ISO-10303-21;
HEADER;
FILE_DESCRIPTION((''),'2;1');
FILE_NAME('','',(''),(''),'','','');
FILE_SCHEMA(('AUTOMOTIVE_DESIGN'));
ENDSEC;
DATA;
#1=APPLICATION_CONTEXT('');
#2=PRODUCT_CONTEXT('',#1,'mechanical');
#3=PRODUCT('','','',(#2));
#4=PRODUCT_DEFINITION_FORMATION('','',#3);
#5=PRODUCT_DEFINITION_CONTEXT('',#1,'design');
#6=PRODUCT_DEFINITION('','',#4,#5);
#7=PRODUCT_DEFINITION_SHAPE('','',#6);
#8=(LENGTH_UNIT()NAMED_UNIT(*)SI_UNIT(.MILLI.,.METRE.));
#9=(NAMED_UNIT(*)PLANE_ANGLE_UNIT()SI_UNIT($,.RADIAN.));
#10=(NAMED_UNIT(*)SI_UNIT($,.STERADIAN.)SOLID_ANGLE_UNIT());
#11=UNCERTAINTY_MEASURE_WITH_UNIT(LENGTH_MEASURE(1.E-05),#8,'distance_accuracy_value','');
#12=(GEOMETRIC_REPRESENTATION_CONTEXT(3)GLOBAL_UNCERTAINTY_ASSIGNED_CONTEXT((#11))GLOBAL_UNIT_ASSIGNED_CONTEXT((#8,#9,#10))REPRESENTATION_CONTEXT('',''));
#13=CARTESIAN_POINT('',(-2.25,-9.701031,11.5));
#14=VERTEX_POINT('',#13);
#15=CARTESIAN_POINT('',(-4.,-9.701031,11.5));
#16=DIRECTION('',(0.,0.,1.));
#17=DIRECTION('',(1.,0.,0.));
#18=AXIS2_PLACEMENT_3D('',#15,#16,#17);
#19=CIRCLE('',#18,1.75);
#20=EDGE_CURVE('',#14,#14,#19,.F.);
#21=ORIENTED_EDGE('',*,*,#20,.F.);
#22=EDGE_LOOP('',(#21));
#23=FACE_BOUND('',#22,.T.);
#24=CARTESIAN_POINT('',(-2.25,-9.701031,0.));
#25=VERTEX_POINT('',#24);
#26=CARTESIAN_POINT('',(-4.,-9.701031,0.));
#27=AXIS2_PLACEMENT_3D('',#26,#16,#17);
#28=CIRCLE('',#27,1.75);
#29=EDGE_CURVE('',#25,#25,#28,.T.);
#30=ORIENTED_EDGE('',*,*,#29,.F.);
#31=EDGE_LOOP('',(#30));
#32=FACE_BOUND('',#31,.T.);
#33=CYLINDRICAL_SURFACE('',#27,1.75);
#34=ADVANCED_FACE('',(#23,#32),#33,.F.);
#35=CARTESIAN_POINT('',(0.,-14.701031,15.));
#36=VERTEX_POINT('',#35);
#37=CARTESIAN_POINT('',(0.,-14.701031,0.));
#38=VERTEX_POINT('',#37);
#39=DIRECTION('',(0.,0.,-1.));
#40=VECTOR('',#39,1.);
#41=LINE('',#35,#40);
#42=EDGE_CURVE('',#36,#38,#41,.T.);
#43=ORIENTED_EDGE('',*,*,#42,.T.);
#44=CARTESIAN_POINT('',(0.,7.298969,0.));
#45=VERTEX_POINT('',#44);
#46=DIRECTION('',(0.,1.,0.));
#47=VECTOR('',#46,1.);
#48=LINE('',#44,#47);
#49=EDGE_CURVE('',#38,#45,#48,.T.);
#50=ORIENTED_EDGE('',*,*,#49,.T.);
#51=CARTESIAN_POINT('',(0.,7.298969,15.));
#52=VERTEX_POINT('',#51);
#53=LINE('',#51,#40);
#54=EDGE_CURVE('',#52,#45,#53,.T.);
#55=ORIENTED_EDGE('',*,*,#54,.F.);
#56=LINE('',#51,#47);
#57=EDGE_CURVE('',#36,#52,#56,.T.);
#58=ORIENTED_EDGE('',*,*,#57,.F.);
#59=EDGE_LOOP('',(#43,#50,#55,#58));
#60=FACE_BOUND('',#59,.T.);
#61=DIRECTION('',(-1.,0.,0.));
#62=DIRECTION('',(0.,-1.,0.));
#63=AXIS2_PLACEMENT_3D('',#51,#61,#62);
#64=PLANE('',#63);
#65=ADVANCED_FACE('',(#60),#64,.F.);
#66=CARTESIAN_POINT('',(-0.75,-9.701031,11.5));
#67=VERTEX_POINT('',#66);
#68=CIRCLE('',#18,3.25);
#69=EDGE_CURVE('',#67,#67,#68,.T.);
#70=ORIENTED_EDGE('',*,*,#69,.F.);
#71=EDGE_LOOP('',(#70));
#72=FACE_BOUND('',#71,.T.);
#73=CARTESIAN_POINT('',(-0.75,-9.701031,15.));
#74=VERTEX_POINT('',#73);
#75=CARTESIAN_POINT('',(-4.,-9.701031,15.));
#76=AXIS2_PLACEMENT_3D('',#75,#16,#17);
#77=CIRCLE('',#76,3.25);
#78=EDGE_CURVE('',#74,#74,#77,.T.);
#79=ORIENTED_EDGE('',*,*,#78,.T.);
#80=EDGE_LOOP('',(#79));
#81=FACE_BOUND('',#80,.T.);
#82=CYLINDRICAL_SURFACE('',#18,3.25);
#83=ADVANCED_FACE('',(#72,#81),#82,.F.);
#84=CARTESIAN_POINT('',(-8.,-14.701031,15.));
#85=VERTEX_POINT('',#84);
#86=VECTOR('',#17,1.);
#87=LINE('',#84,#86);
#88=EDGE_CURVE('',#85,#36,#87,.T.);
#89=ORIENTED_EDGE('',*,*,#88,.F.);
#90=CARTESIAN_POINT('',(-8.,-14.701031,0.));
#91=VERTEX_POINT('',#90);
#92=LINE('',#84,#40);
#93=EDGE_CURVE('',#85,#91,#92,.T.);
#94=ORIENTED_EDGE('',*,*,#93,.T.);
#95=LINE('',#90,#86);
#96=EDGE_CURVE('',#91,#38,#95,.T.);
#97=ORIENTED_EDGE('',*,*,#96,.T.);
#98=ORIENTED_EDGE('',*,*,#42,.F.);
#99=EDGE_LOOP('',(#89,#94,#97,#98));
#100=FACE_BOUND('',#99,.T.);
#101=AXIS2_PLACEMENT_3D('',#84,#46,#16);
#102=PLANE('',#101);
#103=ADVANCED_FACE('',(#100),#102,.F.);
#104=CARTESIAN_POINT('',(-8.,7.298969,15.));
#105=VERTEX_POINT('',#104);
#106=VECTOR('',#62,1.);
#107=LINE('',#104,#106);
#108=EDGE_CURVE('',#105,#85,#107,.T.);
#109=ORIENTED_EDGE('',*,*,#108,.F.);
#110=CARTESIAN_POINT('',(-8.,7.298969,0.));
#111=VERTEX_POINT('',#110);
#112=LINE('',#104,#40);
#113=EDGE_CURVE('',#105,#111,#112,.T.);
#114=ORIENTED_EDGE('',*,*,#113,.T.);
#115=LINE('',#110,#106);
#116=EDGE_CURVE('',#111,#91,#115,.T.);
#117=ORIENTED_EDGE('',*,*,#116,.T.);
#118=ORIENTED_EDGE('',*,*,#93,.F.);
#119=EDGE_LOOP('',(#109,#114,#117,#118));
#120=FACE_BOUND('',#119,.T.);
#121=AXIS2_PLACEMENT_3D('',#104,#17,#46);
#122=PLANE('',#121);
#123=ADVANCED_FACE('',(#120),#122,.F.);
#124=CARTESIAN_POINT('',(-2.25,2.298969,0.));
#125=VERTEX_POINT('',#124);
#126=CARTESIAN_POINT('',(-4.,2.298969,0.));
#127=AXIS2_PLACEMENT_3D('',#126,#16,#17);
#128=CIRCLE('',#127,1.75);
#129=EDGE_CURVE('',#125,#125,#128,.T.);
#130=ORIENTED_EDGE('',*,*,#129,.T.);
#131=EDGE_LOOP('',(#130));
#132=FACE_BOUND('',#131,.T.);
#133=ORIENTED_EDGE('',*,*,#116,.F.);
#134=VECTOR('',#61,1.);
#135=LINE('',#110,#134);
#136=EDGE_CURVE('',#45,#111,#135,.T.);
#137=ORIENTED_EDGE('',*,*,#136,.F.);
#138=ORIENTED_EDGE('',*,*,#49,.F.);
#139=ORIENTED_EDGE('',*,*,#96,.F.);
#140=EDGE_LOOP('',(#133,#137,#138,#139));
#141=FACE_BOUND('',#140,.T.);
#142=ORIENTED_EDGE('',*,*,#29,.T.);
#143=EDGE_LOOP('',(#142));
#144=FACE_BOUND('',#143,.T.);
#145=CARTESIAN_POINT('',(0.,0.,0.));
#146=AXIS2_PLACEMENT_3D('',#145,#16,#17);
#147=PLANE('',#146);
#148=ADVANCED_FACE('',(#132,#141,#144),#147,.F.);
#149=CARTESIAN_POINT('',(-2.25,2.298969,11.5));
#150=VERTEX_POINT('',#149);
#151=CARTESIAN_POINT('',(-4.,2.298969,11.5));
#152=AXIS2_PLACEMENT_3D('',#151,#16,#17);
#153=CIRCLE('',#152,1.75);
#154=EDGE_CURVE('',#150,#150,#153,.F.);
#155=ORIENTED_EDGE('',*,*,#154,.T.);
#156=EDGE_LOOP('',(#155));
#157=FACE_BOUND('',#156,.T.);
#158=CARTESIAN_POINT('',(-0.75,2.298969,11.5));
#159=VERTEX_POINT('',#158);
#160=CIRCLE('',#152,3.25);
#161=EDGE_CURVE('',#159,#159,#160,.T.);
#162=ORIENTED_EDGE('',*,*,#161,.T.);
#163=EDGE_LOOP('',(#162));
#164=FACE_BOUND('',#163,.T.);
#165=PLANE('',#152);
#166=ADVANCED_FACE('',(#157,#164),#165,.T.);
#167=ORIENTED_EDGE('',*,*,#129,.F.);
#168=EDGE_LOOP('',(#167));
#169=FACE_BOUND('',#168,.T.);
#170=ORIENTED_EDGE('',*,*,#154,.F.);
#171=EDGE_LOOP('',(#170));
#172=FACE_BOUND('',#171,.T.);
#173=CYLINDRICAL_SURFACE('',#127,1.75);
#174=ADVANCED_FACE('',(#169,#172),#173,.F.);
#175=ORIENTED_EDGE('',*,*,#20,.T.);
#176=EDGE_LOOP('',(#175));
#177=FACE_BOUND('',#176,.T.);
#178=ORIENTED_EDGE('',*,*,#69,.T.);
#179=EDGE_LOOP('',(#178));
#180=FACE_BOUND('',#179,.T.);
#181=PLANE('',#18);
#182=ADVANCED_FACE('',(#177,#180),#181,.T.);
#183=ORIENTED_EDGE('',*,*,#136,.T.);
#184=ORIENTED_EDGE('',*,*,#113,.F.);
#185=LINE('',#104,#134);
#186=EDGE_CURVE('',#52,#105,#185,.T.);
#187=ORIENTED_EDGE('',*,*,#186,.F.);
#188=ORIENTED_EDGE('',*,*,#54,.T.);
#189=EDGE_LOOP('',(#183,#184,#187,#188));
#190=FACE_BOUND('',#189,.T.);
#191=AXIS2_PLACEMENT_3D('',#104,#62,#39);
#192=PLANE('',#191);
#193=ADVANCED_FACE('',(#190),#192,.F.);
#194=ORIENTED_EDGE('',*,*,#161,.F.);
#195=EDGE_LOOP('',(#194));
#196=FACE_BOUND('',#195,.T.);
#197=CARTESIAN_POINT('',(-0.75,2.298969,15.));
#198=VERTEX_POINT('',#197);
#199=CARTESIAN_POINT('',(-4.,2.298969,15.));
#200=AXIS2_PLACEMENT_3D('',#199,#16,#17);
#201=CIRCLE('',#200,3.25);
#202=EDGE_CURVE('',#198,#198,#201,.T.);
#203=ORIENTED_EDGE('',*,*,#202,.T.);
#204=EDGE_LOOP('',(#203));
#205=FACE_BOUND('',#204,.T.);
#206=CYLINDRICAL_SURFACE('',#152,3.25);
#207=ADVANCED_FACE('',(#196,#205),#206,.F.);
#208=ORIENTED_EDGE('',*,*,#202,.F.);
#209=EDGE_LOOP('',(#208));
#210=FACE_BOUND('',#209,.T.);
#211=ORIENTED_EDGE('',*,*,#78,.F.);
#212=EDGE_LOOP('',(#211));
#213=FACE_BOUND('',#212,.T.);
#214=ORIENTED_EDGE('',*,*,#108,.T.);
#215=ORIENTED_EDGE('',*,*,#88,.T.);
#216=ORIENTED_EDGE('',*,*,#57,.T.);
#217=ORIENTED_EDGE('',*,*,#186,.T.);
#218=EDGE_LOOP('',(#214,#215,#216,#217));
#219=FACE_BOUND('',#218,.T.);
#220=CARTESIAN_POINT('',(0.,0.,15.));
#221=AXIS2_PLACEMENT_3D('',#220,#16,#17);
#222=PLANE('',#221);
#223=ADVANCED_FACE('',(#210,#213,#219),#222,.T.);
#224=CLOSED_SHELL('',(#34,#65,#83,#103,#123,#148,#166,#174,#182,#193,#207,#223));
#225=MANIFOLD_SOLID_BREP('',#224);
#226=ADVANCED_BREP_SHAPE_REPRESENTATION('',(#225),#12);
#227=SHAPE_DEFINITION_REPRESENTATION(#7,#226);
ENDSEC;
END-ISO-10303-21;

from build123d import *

# Parameters (mm, degrees)
SKETCH1_W           = 8
SKETCH1_H           = 22
BOSS_EXTRUDE1_DEPTH = 15
SKETCH2_R           = 1.75
CUT_EXTRUDE1_DEPTH  = 16
SKETCH3_R           = 3.25
CUT_EXTRUDE2_DEPTH  = 3.5


with BuildPart() as part:
    # Sketch1 → Boss-Extrude1 (new body)
    with BuildSketch(Plane.XY):
        with Locations((-4, -3.701030928)):
            Rectangle(SKETCH1_W, SKETCH1_H)
    extrude(amount=BOSS_EXTRUDE1_DEPTH)

    # Sketch2 → Cut-Extrude1 (cut, through all)
    with BuildSketch(Plane.XY.offset(15)):
        with Locations((-4, 2.298969072)):
            Circle(SKETCH2_R)
        with Locations((-4, -9.701030928)):
            Circle(SKETCH2_R)
    extrude(amount=-CUT_EXTRUDE1_DEPTH, mode=Mode.SUBTRACT)

    # Sketch3 → Cut-Extrude2 (cut)
    with BuildSketch(Plane.XY.offset(15)):
        with Locations((-4, 2.298969072)):
            Circle(SKETCH3_R)
        with Locations((-4, -9.701030928)):
            Circle(SKETCH3_R)
    extrude(amount=-CUT_EXTRUDE2_DEPTH, mode=Mode.SUBTRACT)


solid = part.part
